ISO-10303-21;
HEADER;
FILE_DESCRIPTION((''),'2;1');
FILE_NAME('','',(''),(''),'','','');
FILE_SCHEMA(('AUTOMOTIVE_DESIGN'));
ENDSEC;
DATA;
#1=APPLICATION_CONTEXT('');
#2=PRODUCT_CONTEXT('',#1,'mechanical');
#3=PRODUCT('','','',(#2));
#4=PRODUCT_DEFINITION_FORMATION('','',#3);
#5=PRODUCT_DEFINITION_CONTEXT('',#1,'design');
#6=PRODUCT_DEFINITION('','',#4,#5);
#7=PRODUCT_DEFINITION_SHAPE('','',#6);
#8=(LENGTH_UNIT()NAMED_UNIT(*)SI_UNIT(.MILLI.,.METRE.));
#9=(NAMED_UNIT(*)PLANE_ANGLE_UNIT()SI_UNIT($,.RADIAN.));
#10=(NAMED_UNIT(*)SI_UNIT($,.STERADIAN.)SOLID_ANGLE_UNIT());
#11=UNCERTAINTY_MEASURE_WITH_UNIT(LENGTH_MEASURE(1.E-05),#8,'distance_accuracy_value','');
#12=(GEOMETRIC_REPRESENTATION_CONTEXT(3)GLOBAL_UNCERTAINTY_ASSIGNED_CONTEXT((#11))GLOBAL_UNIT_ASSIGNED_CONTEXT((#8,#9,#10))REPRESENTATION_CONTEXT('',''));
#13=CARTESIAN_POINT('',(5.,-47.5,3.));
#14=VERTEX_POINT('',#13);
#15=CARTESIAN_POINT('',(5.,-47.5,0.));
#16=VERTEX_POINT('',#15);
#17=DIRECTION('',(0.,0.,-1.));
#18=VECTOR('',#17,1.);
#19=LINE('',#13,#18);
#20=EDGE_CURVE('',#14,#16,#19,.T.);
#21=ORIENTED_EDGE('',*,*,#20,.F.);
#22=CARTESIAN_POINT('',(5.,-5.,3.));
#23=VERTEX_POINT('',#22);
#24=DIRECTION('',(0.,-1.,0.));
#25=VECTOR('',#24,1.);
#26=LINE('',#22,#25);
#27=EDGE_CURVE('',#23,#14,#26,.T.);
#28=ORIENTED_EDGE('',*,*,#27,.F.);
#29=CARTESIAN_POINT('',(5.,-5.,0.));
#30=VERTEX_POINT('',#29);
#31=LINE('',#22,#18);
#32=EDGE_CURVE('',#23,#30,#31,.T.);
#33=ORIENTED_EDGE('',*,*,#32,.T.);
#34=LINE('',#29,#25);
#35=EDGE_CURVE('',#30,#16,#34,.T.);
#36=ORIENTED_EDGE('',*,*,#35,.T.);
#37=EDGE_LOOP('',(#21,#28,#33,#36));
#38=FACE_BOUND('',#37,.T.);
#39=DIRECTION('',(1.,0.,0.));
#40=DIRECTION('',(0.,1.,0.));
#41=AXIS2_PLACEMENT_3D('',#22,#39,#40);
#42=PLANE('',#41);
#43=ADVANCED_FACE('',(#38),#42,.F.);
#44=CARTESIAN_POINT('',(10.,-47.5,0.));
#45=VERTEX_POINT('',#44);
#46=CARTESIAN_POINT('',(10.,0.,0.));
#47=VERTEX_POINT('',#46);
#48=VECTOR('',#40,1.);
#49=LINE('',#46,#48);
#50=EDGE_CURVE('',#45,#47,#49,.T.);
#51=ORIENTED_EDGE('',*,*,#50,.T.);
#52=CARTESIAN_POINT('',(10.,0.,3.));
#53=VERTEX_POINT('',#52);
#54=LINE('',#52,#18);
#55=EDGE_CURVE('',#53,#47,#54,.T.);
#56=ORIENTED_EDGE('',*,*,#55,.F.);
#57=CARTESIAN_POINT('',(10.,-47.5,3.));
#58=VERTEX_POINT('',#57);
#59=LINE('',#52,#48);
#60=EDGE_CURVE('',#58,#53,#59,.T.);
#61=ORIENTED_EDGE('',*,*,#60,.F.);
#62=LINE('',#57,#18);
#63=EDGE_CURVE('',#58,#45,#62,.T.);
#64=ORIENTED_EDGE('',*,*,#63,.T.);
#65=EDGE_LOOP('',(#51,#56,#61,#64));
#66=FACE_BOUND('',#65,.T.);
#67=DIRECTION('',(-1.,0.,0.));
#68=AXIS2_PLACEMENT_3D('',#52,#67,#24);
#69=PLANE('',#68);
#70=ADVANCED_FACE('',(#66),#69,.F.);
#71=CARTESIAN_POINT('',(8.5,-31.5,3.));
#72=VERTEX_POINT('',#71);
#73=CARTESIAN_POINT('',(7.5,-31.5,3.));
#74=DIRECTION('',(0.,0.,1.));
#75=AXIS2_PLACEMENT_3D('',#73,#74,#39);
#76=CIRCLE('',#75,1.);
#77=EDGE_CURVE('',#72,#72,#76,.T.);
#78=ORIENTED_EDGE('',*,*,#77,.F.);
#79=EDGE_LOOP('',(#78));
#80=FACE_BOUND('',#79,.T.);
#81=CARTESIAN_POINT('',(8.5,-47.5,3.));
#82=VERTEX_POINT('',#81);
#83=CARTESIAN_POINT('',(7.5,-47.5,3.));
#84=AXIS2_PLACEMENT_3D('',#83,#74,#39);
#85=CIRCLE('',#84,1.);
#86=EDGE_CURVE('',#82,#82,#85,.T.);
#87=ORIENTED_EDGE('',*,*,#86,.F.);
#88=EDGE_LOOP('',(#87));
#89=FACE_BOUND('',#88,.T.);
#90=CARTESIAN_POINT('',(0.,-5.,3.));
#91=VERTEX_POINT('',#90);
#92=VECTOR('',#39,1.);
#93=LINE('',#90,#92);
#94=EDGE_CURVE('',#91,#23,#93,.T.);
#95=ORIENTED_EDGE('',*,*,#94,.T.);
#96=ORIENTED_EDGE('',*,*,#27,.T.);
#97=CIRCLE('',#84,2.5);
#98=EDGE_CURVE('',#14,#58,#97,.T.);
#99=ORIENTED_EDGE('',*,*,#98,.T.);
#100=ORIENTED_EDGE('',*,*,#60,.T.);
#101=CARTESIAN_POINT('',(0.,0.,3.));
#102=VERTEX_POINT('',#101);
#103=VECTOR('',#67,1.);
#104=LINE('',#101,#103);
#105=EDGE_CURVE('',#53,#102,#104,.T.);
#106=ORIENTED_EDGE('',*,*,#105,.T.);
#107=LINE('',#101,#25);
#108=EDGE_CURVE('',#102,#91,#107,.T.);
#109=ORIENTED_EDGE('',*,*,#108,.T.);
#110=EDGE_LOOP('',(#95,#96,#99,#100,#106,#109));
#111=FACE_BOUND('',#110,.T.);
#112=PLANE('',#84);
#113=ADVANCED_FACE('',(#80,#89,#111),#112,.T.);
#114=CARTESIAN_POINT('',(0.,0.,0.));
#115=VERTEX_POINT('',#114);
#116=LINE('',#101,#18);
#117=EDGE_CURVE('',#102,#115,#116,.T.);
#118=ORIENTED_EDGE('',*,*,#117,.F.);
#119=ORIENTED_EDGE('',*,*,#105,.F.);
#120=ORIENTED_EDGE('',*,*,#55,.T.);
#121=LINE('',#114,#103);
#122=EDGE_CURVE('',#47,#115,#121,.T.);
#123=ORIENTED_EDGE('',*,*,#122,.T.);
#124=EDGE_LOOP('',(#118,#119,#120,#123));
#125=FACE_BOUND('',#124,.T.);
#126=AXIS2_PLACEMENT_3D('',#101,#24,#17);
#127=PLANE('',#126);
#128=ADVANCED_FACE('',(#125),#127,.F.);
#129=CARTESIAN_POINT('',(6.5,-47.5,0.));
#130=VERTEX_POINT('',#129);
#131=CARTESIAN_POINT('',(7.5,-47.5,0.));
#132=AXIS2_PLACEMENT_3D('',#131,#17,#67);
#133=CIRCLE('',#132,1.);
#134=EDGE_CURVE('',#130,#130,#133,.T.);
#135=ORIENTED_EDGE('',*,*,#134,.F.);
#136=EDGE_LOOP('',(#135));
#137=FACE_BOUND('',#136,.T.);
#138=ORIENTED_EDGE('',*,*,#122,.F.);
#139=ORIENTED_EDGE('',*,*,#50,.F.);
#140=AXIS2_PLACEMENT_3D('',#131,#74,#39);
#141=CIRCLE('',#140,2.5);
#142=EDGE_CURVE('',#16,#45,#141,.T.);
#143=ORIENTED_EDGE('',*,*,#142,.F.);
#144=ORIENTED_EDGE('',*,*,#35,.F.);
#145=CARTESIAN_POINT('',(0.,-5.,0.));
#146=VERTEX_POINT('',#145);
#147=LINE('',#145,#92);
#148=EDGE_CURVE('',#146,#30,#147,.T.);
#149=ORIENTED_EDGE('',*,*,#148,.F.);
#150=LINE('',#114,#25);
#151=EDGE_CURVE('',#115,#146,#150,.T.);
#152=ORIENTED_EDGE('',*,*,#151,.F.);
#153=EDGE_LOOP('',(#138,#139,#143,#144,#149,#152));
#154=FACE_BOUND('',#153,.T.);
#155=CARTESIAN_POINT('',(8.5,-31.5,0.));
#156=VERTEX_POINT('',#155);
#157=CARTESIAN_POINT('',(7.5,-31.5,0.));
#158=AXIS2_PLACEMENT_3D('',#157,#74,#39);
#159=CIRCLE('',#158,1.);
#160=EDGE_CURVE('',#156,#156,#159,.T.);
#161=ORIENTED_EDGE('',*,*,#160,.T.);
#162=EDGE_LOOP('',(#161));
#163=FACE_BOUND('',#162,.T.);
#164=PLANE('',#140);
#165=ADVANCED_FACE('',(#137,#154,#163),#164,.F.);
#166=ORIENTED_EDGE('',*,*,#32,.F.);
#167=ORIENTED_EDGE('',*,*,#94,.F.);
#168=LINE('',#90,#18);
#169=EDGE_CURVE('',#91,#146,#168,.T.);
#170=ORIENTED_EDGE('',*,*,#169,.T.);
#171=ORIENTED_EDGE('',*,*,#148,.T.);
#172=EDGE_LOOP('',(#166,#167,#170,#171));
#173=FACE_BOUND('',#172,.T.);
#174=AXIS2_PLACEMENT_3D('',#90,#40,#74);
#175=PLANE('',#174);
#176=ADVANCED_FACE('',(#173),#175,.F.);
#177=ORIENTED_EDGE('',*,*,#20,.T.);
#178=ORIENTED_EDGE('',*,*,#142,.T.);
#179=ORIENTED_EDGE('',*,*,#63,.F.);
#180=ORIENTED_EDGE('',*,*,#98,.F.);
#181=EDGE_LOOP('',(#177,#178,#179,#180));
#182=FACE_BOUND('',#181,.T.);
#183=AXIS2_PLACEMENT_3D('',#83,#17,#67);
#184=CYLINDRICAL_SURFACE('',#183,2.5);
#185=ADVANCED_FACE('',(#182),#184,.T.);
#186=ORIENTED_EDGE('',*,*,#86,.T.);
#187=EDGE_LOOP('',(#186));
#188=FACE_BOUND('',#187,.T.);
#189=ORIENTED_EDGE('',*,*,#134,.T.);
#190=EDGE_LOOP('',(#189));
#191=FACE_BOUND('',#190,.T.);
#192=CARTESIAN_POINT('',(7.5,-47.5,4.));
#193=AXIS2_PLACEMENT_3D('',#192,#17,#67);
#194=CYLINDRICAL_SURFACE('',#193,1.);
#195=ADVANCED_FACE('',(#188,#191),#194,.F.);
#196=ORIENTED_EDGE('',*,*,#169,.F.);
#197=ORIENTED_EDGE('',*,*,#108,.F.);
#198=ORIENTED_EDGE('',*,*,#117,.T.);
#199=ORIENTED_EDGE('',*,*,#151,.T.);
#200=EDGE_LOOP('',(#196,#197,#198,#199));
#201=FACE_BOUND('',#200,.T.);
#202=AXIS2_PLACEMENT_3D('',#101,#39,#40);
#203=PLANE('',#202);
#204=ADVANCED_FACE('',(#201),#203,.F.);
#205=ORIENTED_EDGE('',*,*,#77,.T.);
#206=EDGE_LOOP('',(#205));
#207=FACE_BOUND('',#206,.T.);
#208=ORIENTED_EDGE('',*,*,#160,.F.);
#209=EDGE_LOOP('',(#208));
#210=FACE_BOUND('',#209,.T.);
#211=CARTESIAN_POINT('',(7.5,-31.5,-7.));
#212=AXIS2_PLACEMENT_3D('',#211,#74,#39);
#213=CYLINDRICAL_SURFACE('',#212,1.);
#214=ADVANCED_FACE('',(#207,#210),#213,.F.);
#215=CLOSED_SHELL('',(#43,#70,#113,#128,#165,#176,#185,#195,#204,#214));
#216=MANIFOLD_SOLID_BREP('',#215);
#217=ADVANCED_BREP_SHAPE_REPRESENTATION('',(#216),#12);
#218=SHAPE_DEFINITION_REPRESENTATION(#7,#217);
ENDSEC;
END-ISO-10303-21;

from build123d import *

# Parameters (mm, degrees)
BOSS_EXTRU_1_DEPTH      = 3
ESQUISSE3_R             = 1
ENL_V_MAT_EXTRU_1_DEPTH = 4
ESQUISSE4_R             = 1
ENL_V_MAT_EXTRU_2_DEPTH = 10


with BuildPart() as part:
    # Esquisse1 → Boss.-Extru.1 (new body)
    with BuildSketch(Plane.XY):
        with BuildLine():
            Line((0, 0), (10, 0))
            Line((10, 0), (10, -47.5))
            ThreePointArc((10, -47.5), (7.5, -50), (5, -47.5))
            Line((5, -47.5), (5, -5))
            Line((5, -5), (0, -5))
            Line((0, -5), (0, 0))
        make_face()
    extrude(amount=BOSS_EXTRU_1_DEPTH)

    # Esquisse3 → Enlèv. mat.-Extru.1 (cut)
    with BuildSketch(Plane(origin=(0, 0, 0), x_dir=(-1, 0, 0), z_dir=(0, 0, -1))):
        with Locations((-7.5, -47.5)):
            Circle(ESQUISSE3_R)
    extrude(amount=-ENL_V_MAT_EXTRU_1_DEPTH, mode=Mode.SUBTRACT)

    # Esquisse4 → Enlèv. mat.-Extru.2 (cut)
    with BuildSketch(Plane.XY.offset(3)):
        with Locations((7.5, -31.5)):
            Circle(ESQUISSE4_R)
    extrude(amount=-ENL_V_MAT_EXTRU_2_DEPTH, mode=Mode.SUBTRACT)


solid = part.part
